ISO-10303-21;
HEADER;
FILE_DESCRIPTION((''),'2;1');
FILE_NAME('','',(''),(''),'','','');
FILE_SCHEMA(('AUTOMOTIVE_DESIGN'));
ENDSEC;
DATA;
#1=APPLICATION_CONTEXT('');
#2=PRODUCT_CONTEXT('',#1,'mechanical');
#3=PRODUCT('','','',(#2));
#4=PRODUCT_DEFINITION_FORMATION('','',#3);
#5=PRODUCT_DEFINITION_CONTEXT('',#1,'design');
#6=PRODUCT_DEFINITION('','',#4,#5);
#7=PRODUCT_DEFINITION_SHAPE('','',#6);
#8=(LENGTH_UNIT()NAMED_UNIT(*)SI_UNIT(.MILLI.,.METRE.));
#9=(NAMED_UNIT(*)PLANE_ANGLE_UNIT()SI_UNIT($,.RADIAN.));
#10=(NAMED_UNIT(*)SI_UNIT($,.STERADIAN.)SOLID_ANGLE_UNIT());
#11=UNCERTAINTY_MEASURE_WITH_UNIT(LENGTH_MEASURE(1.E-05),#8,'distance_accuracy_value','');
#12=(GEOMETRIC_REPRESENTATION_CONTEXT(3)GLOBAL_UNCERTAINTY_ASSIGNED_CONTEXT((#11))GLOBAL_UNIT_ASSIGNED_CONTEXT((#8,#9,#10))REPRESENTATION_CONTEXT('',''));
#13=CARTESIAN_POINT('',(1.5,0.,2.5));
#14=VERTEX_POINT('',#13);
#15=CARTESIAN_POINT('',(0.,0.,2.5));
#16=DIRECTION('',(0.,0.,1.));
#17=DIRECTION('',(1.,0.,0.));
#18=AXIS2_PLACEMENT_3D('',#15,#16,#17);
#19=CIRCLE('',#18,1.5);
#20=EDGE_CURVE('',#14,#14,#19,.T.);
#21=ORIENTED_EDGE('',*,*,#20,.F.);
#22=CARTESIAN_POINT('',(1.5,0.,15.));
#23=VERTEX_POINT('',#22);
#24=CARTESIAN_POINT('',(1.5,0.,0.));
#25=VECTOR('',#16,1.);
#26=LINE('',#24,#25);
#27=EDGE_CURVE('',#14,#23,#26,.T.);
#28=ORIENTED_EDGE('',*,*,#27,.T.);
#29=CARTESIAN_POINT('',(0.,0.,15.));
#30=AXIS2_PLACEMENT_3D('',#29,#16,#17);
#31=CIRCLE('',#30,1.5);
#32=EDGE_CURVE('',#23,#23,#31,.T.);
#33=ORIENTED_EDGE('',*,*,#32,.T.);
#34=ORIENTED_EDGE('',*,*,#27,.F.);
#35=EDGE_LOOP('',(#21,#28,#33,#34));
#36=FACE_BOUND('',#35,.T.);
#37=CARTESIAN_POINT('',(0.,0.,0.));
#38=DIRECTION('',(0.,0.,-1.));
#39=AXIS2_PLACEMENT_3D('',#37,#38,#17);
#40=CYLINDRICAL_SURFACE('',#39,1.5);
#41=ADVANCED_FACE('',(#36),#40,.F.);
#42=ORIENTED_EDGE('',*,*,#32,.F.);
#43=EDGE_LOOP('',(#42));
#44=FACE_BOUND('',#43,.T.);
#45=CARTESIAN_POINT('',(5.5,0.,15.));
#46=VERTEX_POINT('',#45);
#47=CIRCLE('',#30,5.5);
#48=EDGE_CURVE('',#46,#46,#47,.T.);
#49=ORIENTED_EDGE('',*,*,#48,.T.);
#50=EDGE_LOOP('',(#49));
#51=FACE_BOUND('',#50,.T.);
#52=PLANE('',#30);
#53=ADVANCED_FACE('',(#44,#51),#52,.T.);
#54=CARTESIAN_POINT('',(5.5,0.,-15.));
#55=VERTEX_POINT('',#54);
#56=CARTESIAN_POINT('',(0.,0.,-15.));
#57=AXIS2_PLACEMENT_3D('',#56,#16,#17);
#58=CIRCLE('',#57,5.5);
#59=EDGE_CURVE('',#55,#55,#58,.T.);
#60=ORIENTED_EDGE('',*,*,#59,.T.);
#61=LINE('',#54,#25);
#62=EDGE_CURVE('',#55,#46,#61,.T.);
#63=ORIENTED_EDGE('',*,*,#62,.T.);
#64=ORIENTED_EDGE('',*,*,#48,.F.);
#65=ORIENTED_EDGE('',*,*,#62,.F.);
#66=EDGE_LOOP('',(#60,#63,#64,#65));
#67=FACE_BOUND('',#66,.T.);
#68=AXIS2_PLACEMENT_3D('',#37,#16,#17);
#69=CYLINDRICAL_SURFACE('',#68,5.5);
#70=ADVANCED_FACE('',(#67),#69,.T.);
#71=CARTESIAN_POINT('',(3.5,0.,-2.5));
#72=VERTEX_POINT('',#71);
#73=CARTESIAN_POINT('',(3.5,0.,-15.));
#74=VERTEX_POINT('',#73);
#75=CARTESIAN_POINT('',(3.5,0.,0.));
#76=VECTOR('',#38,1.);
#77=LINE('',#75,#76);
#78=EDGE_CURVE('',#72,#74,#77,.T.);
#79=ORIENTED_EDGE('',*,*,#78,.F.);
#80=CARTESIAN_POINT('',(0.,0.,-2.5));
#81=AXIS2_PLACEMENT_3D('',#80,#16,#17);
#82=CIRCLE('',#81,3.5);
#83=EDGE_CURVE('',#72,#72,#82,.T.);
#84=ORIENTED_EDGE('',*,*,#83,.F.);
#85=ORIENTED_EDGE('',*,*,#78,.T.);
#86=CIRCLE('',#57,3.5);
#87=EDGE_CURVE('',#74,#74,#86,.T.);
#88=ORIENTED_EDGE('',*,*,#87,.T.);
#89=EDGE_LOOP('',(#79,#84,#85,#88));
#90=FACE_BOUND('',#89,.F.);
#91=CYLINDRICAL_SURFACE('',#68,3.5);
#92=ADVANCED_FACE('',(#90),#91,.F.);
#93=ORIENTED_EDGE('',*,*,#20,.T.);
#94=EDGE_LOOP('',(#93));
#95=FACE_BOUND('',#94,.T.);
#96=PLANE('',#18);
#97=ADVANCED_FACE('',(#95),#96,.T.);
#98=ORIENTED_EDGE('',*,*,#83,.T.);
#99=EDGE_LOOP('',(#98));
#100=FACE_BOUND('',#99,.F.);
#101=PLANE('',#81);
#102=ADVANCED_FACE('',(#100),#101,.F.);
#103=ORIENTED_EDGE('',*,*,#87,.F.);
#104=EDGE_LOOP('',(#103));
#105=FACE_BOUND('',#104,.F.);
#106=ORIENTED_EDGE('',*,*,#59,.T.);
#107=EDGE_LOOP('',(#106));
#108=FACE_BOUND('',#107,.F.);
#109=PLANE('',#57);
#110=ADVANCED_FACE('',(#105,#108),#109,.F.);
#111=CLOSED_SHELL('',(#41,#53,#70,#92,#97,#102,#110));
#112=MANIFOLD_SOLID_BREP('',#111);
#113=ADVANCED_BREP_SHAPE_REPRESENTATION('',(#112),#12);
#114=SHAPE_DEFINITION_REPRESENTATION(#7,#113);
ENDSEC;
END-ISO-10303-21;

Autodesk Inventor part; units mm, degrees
ref_plane "YZ Plane" through (0, 0, 0) normal (1, 0, 0) x (0, 1, 0)
ref_plane "XZ Plane" through (0, 0, 0) normal (0, 1, 0) x (-1, 0, 0)
ref_plane "XY Plane" through (0, 0, 0) normal (0, 0, 1) x (1, 0, 0)
sketch "Sketch1" plane through (0, 0, 0) normal (0, 0, 1) x (1, 0, 0)
  circle A0 centre (0, 0) radius 1.5
  circle A1 centre (0, 0) radius 5.5
  circle A2 centre (0, 0) radius 3.5
  dimension "d0" = 3
  dimension "d1" = 11
  dimension "d2" = 7
extrude "Extrusion1" add sketch "Sketch1" along normal mid plane 30 contours A1
extrude "Extrusion2" add sketch "Sketch1" along normal blind 15 contours A2
extrude "Extrusion3" add sketch "Sketch1" along normal mid plane 5 contours A0
extrude "Extrusion4" add sketch "Sketch1" against normal blind 2.5 contours A2
properties part number "Shaft Coupler"
